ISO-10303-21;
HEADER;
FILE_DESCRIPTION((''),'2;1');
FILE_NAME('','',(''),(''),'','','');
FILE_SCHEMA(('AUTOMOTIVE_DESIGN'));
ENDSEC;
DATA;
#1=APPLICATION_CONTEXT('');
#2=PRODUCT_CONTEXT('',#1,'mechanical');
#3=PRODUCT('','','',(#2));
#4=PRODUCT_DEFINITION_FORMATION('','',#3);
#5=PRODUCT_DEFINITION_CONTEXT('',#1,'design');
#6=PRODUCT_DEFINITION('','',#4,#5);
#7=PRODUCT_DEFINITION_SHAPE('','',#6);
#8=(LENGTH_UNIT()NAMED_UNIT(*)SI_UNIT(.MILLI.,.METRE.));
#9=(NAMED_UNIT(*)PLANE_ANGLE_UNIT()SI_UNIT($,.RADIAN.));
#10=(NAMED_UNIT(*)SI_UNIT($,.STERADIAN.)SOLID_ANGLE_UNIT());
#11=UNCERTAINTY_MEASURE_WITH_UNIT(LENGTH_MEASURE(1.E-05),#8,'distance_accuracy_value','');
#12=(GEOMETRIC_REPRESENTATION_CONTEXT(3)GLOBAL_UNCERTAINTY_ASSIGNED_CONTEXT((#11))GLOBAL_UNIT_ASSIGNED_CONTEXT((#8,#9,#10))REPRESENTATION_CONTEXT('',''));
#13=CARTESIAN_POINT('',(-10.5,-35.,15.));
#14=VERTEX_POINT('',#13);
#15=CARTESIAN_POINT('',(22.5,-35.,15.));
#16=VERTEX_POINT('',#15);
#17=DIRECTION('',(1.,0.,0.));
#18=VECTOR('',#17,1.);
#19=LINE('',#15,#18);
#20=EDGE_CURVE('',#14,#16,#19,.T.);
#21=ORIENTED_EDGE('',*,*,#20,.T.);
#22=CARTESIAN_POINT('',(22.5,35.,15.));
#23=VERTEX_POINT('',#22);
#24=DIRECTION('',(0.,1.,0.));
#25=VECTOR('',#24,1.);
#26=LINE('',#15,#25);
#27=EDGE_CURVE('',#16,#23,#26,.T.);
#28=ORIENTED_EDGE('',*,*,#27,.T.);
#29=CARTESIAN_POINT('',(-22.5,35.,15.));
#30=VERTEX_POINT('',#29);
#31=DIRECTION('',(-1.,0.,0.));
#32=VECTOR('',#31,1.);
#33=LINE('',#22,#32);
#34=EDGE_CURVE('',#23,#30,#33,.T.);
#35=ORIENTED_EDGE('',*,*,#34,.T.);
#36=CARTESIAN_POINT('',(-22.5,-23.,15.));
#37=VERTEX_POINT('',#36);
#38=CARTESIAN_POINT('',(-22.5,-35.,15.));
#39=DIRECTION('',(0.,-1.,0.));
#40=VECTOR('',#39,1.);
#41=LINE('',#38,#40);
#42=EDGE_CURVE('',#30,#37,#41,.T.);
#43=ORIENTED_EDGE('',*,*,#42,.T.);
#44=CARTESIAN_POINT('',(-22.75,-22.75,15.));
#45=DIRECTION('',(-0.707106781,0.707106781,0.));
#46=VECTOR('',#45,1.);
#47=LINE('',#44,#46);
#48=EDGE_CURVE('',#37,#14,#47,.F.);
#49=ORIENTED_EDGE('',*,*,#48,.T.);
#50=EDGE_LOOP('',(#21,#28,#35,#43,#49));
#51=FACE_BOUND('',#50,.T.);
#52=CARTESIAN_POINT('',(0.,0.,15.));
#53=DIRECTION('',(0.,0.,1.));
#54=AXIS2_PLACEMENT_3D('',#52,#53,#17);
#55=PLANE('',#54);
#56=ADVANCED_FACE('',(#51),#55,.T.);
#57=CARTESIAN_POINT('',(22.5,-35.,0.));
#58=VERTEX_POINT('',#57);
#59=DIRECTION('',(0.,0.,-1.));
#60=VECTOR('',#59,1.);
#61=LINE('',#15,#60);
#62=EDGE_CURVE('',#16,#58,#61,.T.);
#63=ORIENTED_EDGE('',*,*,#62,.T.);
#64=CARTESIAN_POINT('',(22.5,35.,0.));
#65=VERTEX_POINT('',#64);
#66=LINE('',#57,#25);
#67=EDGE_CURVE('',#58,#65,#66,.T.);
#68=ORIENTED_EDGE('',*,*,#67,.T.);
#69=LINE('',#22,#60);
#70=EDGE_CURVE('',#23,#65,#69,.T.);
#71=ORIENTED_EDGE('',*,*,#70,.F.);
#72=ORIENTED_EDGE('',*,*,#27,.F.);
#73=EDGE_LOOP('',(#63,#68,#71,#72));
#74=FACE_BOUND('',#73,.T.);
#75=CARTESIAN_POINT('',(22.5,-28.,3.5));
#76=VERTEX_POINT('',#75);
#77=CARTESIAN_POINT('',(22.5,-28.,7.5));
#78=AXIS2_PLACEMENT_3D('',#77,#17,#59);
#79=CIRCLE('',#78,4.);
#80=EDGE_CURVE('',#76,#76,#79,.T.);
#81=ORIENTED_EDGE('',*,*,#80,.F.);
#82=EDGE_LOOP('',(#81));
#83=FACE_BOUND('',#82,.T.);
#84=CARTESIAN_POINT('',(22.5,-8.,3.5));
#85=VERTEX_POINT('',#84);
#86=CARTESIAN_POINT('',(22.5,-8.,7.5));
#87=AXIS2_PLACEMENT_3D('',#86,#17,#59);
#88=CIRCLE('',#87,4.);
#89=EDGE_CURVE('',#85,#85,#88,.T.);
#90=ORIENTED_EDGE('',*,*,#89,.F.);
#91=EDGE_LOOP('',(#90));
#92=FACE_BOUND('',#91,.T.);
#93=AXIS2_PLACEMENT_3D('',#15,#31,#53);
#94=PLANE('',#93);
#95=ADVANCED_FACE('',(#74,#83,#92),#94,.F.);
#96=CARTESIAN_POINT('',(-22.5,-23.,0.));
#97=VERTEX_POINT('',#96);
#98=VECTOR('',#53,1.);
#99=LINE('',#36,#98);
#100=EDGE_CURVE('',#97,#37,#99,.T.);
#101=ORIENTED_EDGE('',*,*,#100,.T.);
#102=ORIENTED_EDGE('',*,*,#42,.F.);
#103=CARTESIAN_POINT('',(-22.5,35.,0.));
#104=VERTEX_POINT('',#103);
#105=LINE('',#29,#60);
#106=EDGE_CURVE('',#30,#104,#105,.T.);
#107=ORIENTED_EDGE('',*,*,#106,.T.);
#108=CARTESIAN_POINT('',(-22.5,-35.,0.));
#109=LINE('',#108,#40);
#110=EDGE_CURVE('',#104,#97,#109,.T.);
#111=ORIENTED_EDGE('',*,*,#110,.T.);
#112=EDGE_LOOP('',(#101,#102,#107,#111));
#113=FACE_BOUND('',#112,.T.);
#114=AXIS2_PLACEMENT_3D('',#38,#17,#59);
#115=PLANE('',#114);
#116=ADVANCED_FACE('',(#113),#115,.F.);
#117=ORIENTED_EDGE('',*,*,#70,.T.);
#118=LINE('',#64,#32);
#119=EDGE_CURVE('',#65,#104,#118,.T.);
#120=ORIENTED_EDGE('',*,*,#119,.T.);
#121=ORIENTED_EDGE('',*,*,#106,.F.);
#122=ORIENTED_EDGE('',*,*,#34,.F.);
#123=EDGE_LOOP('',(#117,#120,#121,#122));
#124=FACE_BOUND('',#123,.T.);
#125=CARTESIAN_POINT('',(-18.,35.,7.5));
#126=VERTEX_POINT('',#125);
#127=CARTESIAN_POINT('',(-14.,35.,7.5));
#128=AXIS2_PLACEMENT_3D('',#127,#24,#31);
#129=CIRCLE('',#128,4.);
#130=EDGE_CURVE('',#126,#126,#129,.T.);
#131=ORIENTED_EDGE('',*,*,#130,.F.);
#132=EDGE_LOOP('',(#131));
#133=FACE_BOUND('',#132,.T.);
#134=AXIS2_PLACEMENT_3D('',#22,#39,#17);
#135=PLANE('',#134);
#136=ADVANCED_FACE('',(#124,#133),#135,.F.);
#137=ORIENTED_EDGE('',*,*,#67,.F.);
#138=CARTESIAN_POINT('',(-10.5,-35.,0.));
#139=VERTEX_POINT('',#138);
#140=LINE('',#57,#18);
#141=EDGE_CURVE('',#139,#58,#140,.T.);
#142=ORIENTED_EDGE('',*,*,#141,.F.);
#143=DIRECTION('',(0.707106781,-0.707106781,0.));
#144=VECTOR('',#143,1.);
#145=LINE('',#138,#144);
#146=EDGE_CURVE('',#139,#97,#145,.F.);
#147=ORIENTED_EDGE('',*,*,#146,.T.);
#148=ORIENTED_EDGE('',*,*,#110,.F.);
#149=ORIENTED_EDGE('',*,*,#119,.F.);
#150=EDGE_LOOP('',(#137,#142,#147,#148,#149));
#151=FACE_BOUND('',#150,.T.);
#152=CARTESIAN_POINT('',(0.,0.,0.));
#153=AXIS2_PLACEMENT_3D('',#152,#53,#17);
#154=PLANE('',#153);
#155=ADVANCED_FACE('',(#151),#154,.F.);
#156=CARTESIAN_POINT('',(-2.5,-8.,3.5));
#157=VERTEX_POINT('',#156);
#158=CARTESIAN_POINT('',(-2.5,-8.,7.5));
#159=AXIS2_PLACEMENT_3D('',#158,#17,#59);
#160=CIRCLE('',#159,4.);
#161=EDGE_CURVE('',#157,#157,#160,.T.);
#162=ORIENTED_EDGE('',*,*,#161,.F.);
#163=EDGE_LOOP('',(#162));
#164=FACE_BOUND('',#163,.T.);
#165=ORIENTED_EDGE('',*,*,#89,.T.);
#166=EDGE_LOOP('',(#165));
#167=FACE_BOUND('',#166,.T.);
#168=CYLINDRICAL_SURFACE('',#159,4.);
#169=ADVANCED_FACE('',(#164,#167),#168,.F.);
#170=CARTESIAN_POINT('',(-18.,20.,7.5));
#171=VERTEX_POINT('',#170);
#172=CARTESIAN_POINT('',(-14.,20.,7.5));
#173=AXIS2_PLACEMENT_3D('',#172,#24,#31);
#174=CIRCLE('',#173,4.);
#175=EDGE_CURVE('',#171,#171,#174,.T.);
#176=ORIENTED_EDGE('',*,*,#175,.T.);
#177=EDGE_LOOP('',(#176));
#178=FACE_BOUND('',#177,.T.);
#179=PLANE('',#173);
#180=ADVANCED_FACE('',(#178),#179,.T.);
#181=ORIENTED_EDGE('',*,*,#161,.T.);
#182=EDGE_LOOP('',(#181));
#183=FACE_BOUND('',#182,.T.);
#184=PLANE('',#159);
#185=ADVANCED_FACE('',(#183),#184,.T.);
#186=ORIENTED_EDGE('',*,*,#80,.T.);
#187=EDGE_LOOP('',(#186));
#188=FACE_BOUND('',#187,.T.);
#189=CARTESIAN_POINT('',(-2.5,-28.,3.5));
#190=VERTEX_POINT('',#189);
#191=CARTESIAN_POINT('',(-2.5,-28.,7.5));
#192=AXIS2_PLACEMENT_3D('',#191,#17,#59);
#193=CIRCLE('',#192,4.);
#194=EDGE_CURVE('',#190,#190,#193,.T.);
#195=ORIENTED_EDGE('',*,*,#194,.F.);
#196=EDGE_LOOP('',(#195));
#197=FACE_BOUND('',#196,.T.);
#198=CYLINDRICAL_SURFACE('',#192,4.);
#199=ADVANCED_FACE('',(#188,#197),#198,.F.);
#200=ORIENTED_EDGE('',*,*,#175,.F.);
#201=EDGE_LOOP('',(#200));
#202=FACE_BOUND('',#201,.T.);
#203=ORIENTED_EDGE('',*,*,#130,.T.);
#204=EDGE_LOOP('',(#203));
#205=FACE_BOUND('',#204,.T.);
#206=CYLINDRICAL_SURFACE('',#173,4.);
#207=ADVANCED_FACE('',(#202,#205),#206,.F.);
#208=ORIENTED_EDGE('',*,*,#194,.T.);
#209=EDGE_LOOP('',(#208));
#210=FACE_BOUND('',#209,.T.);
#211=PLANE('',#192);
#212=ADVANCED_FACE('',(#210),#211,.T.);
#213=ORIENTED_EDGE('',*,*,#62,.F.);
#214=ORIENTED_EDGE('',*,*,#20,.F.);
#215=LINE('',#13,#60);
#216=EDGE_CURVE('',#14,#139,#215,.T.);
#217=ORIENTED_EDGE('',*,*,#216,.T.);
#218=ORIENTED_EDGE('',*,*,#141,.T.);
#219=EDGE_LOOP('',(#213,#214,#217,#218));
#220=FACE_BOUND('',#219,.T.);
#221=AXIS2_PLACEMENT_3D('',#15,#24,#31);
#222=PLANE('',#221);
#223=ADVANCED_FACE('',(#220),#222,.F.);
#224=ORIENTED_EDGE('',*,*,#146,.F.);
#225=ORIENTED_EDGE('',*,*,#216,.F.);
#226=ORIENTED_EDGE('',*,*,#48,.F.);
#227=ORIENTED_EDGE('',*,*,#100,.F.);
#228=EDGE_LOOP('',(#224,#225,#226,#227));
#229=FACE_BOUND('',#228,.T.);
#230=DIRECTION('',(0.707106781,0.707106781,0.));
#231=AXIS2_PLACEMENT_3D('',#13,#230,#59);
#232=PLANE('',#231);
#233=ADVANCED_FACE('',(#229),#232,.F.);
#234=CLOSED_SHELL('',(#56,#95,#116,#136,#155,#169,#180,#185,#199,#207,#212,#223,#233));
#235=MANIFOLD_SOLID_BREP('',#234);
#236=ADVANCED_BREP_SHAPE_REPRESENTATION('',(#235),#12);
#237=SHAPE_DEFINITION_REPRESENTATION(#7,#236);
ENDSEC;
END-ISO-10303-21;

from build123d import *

# Parameters (mm, degrees)
SZKIC1_W                    = 45
SZKIC1_H                    = 70
DODANIE_WYCI_GNI_CIE1_DEPTH = 15
SZKIC3_R                    = 4
WYTNIJ_WYCI_GNI_CIE1_DEPTH  = 15
SFAZOWANIE1_SIZE            = 12
SZKIC4_R                    = 4
WYTNIJ_WYCI_GNI_CIE2_DEPTH  = 25


with BuildPart() as part:
    # Szkic1 → Dodanie-wyciągnięcie1 (new body)
    with BuildSketch(Plane.XY):
        Rectangle(SZKIC1_W, SZKIC1_H)
    extrude(amount=DODANIE_WYCI_GNI_CIE1_DEPTH)

    # Szkic3 → Wytnij-wyciągnięcie1 (cut)
    with BuildSketch(Plane(origin=(0, 35, 0), x_dir=(1, 0, 0), z_dir=(0, 1, 0))):
        with Locations((-14, -7.5)):
            Circle(SZKIC3_R)
    extrude(amount=-WYTNIJ_WYCI_GNI_CIE1_DEPTH, mode=Mode.SUBTRACT)

    # Sfazowanie1
    sfazowanie1_edges = [part.edges().sort_by_distance(p)[0] for p in [
        (-22.5, -35, 7.5),
    ]]
    chamfer(sfazowanie1_edges, length=SFAZOWANIE1_SIZE)

    # Szkic4 → Wytnij-wyciągnięcie2 (cut)
    with BuildSketch(Plane(origin=(22.5, 0, 0), x_dir=(0, 0, -1), z_dir=(1, 0, 0))):
        with Locations((-7.5, -28)):
            Circle(SZKIC4_R)
        with Locations((-7.5, -8)):
            Circle(SZKIC4_R)
    extrude(amount=-WYTNIJ_WYCI_GNI_CIE2_DEPTH, mode=Mode.SUBTRACT)


solid = part.part
